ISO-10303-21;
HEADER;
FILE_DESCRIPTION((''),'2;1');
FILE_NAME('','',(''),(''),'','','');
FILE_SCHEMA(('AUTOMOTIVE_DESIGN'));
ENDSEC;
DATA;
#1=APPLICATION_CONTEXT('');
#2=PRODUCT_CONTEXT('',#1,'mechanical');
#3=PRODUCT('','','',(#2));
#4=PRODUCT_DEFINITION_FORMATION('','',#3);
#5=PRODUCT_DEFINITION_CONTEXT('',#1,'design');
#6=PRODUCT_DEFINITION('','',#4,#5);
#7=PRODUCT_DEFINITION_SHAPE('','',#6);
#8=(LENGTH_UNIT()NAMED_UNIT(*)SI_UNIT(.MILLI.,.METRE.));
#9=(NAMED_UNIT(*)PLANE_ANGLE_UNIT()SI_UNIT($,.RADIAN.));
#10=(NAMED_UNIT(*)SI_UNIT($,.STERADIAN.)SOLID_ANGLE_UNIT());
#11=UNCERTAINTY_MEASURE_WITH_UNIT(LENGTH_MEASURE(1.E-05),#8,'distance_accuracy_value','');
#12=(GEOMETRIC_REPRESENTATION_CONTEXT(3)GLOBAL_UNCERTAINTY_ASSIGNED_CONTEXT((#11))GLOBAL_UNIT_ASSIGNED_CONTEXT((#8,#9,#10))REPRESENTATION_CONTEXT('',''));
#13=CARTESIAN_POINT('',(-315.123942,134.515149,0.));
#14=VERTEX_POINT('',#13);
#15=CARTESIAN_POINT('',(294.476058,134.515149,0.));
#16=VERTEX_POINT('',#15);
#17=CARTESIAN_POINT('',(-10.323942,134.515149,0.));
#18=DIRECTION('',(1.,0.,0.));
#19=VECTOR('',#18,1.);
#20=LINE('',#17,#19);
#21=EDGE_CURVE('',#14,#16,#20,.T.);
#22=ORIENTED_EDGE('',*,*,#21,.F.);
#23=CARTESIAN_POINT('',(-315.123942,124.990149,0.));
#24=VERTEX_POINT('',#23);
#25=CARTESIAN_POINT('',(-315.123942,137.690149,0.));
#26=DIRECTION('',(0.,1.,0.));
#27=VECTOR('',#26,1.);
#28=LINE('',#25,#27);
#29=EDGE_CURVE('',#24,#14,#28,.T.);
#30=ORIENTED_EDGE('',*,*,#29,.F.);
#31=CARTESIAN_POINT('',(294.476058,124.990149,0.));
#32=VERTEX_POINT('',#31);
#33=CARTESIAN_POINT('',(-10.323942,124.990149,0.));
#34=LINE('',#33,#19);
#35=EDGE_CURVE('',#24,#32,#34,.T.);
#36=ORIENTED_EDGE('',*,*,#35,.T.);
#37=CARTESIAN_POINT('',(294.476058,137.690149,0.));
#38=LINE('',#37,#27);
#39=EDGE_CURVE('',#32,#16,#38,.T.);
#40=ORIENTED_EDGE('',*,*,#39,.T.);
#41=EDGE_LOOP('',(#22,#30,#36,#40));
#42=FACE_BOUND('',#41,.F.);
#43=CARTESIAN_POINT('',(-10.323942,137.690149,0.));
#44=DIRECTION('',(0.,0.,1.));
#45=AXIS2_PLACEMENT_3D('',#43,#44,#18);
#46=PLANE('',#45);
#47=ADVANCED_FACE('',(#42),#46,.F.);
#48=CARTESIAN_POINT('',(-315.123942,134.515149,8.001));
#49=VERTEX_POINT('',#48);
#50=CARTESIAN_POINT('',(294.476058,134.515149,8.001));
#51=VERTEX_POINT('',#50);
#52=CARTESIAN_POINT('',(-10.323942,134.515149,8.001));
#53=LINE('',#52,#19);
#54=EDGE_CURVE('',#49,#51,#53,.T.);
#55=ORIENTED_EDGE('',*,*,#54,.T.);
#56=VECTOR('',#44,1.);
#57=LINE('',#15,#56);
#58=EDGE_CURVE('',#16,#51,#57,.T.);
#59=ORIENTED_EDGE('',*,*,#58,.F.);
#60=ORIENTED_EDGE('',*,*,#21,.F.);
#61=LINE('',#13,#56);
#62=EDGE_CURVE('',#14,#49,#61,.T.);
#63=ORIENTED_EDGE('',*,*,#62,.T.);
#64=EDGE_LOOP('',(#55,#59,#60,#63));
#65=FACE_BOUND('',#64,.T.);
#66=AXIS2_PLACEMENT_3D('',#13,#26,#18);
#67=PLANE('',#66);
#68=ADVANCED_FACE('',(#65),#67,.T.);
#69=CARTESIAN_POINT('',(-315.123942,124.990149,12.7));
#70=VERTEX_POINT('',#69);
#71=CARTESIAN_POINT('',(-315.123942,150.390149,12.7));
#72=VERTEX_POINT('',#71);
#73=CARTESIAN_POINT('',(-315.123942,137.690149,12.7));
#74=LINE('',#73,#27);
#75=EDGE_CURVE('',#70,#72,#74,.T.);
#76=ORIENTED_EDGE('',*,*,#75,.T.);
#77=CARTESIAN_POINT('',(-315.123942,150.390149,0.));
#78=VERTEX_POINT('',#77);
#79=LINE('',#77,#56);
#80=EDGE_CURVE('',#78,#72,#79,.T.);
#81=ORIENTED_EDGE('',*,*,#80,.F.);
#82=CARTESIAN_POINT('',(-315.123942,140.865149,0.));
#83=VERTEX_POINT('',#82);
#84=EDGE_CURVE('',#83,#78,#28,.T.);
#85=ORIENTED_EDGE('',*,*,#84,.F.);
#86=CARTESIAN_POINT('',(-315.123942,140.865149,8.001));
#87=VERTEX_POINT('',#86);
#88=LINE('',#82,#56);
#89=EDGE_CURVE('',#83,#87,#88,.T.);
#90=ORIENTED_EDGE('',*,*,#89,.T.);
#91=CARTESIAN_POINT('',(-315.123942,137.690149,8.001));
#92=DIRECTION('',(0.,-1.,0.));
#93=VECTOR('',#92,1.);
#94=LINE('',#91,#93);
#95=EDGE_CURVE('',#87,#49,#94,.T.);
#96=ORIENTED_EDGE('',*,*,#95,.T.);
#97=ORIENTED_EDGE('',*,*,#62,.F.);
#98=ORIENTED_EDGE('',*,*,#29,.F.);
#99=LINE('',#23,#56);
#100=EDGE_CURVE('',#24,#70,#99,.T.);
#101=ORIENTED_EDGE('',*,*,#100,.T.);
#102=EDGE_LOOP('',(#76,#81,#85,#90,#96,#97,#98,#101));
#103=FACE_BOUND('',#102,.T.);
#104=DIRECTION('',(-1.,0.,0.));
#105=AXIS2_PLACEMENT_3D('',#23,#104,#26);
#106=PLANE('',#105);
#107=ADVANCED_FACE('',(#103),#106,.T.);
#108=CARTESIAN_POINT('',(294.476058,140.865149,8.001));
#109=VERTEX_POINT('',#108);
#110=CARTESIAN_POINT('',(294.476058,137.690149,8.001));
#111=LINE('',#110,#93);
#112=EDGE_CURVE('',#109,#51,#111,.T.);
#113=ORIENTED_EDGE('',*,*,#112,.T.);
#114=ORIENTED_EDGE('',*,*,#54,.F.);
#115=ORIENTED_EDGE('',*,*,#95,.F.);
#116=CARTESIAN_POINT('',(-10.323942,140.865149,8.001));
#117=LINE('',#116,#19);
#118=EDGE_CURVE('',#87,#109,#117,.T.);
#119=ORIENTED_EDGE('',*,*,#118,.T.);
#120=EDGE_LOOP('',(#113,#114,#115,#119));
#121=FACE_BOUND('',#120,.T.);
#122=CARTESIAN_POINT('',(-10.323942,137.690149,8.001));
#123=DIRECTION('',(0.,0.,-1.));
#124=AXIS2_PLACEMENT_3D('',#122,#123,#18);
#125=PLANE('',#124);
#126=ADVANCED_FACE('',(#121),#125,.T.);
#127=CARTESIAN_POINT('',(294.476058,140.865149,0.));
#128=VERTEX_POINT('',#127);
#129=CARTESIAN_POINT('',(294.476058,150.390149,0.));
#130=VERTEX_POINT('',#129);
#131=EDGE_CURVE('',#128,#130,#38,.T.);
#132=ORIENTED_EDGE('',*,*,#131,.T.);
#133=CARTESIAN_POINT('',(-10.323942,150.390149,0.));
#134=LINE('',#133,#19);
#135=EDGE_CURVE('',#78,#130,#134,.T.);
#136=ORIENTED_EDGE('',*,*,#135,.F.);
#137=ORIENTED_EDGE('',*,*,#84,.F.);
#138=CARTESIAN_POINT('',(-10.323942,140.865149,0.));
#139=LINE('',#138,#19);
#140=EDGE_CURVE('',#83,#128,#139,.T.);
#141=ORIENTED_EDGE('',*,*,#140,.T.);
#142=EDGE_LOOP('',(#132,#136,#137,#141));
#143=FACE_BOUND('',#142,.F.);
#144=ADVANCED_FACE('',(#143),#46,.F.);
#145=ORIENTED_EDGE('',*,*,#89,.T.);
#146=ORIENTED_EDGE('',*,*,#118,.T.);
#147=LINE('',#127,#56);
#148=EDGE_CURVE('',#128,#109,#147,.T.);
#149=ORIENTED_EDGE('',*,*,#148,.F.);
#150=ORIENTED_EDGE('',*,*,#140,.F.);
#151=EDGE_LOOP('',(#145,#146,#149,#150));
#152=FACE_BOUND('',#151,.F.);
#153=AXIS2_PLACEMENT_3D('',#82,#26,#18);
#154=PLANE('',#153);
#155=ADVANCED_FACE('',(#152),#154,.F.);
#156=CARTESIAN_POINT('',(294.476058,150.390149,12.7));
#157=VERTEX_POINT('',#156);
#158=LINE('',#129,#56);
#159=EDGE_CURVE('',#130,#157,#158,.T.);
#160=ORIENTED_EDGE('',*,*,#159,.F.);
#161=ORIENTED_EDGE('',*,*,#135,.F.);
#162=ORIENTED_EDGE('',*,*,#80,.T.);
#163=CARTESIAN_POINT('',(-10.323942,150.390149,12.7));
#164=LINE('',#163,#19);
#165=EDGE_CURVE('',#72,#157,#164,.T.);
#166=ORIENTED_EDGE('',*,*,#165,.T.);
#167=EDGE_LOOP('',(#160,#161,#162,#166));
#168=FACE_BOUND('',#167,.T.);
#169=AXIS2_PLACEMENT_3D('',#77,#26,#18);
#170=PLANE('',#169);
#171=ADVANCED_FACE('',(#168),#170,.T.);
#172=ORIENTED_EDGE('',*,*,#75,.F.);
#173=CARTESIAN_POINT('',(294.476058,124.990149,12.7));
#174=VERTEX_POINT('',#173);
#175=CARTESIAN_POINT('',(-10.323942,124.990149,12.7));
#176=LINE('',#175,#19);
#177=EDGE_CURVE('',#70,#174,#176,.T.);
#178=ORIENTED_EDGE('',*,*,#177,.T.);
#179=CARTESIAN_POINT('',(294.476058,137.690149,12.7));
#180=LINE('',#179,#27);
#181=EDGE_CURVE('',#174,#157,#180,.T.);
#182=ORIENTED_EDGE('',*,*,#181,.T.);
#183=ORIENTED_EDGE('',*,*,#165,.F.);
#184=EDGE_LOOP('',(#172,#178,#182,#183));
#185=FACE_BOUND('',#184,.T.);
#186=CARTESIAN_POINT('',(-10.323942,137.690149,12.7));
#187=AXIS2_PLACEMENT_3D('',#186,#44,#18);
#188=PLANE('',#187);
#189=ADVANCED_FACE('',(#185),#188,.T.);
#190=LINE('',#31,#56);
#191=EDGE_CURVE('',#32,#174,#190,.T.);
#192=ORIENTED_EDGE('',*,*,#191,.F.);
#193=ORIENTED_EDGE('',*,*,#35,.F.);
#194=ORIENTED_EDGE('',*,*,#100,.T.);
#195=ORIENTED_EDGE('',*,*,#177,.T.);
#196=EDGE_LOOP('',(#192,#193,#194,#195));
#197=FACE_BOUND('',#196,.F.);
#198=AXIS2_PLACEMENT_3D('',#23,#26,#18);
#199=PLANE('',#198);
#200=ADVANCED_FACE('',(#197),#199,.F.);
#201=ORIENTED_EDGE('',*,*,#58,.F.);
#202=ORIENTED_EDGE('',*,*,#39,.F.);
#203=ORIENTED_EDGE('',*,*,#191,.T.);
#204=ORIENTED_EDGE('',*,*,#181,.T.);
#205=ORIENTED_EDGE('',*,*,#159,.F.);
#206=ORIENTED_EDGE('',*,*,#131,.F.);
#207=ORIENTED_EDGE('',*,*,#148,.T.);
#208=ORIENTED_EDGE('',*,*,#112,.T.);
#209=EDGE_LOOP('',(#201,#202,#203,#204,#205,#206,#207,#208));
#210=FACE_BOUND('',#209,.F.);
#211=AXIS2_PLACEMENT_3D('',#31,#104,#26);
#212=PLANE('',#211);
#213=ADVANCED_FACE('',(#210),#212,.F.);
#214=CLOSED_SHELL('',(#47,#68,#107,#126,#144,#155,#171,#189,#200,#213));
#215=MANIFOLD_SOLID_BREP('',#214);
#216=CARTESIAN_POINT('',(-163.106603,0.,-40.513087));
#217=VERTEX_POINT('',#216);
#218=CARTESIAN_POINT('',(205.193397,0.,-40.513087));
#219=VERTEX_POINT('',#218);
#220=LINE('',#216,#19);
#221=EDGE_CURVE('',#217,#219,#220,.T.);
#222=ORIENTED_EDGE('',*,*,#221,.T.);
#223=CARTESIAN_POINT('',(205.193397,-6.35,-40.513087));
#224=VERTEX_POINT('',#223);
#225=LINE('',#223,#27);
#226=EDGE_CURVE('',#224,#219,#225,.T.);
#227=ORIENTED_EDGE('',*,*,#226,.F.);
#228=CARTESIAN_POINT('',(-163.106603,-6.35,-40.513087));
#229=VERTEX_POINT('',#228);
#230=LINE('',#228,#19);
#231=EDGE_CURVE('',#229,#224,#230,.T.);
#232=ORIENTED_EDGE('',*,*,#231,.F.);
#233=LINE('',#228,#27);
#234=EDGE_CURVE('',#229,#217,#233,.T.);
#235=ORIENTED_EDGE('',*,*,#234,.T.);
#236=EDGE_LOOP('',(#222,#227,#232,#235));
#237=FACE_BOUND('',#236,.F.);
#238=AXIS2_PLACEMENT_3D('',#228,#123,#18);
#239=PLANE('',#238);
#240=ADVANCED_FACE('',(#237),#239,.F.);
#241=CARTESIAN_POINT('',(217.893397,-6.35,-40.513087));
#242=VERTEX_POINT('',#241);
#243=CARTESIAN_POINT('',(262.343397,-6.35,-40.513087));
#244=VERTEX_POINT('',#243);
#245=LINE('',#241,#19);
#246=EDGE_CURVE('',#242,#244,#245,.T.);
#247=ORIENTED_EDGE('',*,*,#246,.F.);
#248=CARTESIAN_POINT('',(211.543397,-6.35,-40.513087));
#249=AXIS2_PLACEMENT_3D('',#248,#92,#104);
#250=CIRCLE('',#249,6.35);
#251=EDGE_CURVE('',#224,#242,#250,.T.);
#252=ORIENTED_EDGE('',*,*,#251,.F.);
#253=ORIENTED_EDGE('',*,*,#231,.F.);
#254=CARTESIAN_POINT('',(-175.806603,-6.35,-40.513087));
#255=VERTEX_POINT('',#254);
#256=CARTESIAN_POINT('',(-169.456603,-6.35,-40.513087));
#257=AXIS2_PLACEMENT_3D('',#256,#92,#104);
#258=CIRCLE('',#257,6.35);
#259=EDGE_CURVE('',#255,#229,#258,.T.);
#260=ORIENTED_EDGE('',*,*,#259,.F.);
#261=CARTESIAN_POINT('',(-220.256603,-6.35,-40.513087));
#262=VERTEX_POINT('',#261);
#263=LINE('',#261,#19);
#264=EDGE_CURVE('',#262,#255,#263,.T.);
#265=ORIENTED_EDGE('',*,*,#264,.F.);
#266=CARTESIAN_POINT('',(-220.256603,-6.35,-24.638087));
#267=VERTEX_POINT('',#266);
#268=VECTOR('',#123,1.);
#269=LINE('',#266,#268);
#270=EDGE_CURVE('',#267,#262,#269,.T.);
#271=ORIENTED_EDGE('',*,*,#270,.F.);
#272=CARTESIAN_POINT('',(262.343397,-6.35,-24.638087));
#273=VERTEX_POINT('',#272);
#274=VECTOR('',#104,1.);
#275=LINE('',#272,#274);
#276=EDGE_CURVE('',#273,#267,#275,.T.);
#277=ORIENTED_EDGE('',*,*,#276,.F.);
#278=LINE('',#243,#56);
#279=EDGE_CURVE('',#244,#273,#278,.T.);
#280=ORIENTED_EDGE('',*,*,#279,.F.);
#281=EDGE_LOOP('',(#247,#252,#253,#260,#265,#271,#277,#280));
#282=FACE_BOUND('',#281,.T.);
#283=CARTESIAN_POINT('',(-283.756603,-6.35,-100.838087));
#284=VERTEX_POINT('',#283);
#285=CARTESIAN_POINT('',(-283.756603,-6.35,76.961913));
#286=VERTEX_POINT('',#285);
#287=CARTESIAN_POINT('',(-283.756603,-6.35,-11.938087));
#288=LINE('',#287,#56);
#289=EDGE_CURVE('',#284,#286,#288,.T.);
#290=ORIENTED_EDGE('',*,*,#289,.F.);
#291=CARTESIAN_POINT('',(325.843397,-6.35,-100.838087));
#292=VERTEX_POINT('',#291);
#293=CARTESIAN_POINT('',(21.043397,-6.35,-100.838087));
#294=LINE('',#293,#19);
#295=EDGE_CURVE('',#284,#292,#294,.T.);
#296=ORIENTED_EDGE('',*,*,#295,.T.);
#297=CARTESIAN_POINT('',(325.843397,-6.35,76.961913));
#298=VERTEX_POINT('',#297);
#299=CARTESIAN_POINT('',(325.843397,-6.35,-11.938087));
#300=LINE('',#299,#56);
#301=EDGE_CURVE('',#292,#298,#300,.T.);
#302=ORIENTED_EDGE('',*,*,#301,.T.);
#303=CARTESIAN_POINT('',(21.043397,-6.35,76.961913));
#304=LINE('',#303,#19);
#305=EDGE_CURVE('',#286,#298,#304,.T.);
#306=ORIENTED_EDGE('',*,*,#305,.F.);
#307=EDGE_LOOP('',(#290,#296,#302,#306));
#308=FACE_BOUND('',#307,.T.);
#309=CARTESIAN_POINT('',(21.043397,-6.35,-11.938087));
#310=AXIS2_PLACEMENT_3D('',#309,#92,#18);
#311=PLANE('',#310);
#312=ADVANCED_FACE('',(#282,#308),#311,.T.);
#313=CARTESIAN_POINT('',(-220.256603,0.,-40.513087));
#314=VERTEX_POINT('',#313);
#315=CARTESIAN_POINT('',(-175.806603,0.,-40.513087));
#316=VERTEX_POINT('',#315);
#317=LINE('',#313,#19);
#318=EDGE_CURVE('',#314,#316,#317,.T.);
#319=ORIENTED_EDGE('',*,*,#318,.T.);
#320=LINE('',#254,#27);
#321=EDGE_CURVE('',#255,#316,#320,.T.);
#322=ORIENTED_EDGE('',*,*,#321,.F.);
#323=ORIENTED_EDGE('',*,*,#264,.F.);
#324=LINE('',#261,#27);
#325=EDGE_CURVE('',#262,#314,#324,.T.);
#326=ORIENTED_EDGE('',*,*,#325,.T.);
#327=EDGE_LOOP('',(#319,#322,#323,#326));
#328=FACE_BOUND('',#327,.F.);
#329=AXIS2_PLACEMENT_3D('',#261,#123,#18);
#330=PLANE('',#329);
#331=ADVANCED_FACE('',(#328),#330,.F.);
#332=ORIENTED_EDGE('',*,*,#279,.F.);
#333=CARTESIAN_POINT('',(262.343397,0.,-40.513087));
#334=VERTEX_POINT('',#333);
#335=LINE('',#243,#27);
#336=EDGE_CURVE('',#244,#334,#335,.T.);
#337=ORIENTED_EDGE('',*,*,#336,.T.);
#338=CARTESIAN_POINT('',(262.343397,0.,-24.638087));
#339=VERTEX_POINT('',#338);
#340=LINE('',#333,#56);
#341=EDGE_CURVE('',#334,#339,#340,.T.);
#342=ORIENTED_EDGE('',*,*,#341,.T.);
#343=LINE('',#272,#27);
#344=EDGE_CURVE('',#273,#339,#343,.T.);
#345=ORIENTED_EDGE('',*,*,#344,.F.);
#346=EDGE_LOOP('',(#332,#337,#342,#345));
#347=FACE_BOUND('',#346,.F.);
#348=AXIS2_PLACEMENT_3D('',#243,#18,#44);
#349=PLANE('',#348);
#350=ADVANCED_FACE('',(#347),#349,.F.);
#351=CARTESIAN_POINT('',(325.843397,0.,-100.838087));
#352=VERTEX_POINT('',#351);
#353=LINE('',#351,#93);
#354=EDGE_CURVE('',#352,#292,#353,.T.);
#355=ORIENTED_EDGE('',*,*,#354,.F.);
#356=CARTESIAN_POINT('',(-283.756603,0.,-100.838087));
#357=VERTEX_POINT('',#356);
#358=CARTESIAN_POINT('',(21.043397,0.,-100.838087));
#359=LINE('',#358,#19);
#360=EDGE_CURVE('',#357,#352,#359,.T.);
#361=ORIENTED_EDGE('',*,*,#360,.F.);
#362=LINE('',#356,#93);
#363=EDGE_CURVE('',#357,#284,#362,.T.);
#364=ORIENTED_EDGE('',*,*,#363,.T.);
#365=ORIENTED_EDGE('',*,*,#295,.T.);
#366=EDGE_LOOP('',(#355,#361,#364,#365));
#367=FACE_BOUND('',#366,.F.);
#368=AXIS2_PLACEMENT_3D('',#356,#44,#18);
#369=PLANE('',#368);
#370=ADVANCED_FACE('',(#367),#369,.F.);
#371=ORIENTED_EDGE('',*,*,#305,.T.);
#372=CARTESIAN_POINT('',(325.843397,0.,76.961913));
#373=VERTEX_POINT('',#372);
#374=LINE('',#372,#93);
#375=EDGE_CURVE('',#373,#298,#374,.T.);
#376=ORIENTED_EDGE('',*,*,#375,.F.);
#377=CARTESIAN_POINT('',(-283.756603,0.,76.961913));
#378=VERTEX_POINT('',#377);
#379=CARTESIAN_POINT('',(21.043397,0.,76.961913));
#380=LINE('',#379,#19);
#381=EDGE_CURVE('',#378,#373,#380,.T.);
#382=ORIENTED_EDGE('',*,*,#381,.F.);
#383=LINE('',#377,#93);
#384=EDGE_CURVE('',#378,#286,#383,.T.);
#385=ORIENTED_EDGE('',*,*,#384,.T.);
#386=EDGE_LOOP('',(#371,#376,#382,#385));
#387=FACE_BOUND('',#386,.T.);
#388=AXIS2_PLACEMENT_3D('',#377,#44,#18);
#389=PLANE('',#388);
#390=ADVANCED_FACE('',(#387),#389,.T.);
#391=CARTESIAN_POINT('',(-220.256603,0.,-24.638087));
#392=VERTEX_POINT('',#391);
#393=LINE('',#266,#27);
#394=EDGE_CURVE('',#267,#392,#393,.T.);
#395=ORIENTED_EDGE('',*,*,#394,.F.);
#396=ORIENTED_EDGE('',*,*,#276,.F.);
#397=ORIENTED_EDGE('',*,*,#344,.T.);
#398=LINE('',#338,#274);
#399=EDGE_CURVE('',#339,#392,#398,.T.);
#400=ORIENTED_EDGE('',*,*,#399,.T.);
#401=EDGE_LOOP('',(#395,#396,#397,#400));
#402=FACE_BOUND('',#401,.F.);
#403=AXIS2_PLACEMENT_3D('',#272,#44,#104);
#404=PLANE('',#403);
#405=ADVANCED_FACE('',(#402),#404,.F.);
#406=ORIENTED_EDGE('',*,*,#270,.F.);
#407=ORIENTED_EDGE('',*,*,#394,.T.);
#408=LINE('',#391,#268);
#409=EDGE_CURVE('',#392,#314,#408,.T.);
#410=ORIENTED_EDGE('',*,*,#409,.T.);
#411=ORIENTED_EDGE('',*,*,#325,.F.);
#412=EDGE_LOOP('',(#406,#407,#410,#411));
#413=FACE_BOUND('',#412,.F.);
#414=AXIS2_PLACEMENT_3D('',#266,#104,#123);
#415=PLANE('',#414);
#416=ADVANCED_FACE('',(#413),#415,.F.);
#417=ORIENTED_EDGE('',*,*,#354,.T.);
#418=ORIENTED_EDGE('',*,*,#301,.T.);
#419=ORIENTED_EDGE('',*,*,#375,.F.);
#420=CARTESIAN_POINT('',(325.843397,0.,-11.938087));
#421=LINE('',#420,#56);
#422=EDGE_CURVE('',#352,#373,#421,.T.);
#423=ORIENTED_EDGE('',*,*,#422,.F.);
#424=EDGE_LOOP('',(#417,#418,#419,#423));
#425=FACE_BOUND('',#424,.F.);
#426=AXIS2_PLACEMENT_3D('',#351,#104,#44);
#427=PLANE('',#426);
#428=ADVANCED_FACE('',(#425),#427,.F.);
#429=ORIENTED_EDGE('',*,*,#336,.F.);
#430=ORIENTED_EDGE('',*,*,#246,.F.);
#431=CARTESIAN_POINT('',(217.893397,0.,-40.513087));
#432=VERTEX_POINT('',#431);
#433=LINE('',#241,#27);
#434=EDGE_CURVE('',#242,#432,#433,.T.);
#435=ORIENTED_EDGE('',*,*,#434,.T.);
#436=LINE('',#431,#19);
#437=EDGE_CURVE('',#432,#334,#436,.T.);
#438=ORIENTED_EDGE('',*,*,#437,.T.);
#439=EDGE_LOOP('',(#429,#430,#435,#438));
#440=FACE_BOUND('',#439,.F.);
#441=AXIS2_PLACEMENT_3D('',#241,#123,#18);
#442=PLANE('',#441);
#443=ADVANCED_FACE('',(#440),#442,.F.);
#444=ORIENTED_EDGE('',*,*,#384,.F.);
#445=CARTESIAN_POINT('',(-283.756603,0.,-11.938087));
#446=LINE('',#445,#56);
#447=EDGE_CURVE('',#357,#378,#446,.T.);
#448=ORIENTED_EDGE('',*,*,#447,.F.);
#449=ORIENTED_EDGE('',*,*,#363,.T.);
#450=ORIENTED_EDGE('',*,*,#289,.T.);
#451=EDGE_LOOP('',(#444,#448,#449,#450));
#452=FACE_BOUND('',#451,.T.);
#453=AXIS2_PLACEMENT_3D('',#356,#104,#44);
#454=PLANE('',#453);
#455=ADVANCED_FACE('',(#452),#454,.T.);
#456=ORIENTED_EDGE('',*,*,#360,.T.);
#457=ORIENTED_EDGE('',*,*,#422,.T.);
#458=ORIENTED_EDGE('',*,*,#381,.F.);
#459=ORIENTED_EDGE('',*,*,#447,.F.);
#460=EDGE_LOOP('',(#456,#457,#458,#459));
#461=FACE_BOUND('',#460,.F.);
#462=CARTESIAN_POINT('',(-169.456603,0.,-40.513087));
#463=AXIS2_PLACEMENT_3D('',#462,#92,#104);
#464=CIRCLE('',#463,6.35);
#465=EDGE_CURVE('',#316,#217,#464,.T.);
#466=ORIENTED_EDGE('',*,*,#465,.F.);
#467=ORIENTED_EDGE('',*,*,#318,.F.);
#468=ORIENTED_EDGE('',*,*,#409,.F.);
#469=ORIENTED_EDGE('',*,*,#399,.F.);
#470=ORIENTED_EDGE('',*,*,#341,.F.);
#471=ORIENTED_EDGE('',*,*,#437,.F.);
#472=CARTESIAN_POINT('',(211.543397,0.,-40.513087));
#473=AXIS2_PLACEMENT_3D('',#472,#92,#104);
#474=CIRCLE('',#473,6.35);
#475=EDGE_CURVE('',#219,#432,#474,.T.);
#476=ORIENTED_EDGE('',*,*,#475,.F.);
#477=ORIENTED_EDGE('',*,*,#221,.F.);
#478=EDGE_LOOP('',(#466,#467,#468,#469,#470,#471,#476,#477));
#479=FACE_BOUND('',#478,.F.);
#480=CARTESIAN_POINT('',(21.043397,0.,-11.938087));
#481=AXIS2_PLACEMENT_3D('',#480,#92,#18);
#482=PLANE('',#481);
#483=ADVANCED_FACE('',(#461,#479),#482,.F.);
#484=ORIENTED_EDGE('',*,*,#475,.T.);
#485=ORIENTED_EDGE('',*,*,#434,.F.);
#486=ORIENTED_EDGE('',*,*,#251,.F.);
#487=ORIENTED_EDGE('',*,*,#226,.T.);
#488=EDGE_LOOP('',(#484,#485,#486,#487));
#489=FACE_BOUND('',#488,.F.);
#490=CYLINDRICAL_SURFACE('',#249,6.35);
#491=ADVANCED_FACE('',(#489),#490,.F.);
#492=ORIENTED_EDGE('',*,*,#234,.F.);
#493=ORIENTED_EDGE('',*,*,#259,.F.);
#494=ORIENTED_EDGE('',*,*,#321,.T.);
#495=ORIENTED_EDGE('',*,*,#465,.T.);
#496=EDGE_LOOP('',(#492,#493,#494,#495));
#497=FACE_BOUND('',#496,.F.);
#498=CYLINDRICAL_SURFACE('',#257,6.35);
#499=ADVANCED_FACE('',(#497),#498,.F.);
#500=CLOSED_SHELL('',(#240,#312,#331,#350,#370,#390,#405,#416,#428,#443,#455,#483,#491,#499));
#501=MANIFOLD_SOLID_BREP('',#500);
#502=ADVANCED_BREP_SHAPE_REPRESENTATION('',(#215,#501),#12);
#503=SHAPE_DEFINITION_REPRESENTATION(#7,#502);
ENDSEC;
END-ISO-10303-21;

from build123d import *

# Parameters (mm, degrees)
F0_W     = 609.6
F0_H     = 177.8
F1_DEPTH = 6.35
F3_DEPTH = 6.35
F4_W     = 609.6
F4_H     = 25.4
F5_DEPTH = 12.7
F6_W     = 609.6
F6_H     = 6.35
F7_DEPTH = 8.001


with BuildPart() as f1:
    # F0 (on Front) → F1 (new body)
    with BuildSketch(Plane.XZ):
        with Locations((21.043397, -11.938087)):
            Rectangle(F0_W, F0_H)
    extrude(amount=F1_DEPTH)

    # F2 (on face) → F3 (cut)
    with BuildSketch(Plane.XZ.offset(6.35)):
        with BuildLine():
            Line((262.343397, -24.638087), (-220.256603, -24.638087))
            Line((-220.256603, -24.638087), (-220.256603, -40.513087))
            Line((-220.256603, -40.513087), (-175.806603, -40.513087))
            ThreePointArc((-175.806603, -40.513087), (-169.456603, -46.863087), (-163.106603, -40.513087))
            Line((-163.106603, -40.513087), (205.193397, -40.513087))
            ThreePointArc((205.193397, -40.513087), (211.543397, -46.863087), (217.893397, -40.513087))
            Line((217.893397, -40.513087), (262.343397, -40.513087))
            Line((262.343397, -40.513087), (262.343397, -24.638087))
        make_face()
    extrude(amount=-F3_DEPTH, mode=Mode.SUBTRACT)


with BuildPart() as f5:
    # F4 (on Top) → F5 (new body)
    with BuildSketch(Plane.XY):
        with Locations((-10.323942, 137.690149)):
            Rectangle(F4_W, F4_H)
    extrude(amount=F5_DEPTH)

    # F6 (on face) → F7 (cut)
    with BuildSketch(Plane(origin=(0, 0, 0), x_dir=(1, 0, 0), z_dir=(0, 0, -1))):
        with Locations((-10.323942, -137.690149)):
            Rectangle(F6_W, F6_H)
    extrude(amount=-F7_DEPTH, mode=Mode.SUBTRACT)


solid = Compound([f1.part, f5.part])
